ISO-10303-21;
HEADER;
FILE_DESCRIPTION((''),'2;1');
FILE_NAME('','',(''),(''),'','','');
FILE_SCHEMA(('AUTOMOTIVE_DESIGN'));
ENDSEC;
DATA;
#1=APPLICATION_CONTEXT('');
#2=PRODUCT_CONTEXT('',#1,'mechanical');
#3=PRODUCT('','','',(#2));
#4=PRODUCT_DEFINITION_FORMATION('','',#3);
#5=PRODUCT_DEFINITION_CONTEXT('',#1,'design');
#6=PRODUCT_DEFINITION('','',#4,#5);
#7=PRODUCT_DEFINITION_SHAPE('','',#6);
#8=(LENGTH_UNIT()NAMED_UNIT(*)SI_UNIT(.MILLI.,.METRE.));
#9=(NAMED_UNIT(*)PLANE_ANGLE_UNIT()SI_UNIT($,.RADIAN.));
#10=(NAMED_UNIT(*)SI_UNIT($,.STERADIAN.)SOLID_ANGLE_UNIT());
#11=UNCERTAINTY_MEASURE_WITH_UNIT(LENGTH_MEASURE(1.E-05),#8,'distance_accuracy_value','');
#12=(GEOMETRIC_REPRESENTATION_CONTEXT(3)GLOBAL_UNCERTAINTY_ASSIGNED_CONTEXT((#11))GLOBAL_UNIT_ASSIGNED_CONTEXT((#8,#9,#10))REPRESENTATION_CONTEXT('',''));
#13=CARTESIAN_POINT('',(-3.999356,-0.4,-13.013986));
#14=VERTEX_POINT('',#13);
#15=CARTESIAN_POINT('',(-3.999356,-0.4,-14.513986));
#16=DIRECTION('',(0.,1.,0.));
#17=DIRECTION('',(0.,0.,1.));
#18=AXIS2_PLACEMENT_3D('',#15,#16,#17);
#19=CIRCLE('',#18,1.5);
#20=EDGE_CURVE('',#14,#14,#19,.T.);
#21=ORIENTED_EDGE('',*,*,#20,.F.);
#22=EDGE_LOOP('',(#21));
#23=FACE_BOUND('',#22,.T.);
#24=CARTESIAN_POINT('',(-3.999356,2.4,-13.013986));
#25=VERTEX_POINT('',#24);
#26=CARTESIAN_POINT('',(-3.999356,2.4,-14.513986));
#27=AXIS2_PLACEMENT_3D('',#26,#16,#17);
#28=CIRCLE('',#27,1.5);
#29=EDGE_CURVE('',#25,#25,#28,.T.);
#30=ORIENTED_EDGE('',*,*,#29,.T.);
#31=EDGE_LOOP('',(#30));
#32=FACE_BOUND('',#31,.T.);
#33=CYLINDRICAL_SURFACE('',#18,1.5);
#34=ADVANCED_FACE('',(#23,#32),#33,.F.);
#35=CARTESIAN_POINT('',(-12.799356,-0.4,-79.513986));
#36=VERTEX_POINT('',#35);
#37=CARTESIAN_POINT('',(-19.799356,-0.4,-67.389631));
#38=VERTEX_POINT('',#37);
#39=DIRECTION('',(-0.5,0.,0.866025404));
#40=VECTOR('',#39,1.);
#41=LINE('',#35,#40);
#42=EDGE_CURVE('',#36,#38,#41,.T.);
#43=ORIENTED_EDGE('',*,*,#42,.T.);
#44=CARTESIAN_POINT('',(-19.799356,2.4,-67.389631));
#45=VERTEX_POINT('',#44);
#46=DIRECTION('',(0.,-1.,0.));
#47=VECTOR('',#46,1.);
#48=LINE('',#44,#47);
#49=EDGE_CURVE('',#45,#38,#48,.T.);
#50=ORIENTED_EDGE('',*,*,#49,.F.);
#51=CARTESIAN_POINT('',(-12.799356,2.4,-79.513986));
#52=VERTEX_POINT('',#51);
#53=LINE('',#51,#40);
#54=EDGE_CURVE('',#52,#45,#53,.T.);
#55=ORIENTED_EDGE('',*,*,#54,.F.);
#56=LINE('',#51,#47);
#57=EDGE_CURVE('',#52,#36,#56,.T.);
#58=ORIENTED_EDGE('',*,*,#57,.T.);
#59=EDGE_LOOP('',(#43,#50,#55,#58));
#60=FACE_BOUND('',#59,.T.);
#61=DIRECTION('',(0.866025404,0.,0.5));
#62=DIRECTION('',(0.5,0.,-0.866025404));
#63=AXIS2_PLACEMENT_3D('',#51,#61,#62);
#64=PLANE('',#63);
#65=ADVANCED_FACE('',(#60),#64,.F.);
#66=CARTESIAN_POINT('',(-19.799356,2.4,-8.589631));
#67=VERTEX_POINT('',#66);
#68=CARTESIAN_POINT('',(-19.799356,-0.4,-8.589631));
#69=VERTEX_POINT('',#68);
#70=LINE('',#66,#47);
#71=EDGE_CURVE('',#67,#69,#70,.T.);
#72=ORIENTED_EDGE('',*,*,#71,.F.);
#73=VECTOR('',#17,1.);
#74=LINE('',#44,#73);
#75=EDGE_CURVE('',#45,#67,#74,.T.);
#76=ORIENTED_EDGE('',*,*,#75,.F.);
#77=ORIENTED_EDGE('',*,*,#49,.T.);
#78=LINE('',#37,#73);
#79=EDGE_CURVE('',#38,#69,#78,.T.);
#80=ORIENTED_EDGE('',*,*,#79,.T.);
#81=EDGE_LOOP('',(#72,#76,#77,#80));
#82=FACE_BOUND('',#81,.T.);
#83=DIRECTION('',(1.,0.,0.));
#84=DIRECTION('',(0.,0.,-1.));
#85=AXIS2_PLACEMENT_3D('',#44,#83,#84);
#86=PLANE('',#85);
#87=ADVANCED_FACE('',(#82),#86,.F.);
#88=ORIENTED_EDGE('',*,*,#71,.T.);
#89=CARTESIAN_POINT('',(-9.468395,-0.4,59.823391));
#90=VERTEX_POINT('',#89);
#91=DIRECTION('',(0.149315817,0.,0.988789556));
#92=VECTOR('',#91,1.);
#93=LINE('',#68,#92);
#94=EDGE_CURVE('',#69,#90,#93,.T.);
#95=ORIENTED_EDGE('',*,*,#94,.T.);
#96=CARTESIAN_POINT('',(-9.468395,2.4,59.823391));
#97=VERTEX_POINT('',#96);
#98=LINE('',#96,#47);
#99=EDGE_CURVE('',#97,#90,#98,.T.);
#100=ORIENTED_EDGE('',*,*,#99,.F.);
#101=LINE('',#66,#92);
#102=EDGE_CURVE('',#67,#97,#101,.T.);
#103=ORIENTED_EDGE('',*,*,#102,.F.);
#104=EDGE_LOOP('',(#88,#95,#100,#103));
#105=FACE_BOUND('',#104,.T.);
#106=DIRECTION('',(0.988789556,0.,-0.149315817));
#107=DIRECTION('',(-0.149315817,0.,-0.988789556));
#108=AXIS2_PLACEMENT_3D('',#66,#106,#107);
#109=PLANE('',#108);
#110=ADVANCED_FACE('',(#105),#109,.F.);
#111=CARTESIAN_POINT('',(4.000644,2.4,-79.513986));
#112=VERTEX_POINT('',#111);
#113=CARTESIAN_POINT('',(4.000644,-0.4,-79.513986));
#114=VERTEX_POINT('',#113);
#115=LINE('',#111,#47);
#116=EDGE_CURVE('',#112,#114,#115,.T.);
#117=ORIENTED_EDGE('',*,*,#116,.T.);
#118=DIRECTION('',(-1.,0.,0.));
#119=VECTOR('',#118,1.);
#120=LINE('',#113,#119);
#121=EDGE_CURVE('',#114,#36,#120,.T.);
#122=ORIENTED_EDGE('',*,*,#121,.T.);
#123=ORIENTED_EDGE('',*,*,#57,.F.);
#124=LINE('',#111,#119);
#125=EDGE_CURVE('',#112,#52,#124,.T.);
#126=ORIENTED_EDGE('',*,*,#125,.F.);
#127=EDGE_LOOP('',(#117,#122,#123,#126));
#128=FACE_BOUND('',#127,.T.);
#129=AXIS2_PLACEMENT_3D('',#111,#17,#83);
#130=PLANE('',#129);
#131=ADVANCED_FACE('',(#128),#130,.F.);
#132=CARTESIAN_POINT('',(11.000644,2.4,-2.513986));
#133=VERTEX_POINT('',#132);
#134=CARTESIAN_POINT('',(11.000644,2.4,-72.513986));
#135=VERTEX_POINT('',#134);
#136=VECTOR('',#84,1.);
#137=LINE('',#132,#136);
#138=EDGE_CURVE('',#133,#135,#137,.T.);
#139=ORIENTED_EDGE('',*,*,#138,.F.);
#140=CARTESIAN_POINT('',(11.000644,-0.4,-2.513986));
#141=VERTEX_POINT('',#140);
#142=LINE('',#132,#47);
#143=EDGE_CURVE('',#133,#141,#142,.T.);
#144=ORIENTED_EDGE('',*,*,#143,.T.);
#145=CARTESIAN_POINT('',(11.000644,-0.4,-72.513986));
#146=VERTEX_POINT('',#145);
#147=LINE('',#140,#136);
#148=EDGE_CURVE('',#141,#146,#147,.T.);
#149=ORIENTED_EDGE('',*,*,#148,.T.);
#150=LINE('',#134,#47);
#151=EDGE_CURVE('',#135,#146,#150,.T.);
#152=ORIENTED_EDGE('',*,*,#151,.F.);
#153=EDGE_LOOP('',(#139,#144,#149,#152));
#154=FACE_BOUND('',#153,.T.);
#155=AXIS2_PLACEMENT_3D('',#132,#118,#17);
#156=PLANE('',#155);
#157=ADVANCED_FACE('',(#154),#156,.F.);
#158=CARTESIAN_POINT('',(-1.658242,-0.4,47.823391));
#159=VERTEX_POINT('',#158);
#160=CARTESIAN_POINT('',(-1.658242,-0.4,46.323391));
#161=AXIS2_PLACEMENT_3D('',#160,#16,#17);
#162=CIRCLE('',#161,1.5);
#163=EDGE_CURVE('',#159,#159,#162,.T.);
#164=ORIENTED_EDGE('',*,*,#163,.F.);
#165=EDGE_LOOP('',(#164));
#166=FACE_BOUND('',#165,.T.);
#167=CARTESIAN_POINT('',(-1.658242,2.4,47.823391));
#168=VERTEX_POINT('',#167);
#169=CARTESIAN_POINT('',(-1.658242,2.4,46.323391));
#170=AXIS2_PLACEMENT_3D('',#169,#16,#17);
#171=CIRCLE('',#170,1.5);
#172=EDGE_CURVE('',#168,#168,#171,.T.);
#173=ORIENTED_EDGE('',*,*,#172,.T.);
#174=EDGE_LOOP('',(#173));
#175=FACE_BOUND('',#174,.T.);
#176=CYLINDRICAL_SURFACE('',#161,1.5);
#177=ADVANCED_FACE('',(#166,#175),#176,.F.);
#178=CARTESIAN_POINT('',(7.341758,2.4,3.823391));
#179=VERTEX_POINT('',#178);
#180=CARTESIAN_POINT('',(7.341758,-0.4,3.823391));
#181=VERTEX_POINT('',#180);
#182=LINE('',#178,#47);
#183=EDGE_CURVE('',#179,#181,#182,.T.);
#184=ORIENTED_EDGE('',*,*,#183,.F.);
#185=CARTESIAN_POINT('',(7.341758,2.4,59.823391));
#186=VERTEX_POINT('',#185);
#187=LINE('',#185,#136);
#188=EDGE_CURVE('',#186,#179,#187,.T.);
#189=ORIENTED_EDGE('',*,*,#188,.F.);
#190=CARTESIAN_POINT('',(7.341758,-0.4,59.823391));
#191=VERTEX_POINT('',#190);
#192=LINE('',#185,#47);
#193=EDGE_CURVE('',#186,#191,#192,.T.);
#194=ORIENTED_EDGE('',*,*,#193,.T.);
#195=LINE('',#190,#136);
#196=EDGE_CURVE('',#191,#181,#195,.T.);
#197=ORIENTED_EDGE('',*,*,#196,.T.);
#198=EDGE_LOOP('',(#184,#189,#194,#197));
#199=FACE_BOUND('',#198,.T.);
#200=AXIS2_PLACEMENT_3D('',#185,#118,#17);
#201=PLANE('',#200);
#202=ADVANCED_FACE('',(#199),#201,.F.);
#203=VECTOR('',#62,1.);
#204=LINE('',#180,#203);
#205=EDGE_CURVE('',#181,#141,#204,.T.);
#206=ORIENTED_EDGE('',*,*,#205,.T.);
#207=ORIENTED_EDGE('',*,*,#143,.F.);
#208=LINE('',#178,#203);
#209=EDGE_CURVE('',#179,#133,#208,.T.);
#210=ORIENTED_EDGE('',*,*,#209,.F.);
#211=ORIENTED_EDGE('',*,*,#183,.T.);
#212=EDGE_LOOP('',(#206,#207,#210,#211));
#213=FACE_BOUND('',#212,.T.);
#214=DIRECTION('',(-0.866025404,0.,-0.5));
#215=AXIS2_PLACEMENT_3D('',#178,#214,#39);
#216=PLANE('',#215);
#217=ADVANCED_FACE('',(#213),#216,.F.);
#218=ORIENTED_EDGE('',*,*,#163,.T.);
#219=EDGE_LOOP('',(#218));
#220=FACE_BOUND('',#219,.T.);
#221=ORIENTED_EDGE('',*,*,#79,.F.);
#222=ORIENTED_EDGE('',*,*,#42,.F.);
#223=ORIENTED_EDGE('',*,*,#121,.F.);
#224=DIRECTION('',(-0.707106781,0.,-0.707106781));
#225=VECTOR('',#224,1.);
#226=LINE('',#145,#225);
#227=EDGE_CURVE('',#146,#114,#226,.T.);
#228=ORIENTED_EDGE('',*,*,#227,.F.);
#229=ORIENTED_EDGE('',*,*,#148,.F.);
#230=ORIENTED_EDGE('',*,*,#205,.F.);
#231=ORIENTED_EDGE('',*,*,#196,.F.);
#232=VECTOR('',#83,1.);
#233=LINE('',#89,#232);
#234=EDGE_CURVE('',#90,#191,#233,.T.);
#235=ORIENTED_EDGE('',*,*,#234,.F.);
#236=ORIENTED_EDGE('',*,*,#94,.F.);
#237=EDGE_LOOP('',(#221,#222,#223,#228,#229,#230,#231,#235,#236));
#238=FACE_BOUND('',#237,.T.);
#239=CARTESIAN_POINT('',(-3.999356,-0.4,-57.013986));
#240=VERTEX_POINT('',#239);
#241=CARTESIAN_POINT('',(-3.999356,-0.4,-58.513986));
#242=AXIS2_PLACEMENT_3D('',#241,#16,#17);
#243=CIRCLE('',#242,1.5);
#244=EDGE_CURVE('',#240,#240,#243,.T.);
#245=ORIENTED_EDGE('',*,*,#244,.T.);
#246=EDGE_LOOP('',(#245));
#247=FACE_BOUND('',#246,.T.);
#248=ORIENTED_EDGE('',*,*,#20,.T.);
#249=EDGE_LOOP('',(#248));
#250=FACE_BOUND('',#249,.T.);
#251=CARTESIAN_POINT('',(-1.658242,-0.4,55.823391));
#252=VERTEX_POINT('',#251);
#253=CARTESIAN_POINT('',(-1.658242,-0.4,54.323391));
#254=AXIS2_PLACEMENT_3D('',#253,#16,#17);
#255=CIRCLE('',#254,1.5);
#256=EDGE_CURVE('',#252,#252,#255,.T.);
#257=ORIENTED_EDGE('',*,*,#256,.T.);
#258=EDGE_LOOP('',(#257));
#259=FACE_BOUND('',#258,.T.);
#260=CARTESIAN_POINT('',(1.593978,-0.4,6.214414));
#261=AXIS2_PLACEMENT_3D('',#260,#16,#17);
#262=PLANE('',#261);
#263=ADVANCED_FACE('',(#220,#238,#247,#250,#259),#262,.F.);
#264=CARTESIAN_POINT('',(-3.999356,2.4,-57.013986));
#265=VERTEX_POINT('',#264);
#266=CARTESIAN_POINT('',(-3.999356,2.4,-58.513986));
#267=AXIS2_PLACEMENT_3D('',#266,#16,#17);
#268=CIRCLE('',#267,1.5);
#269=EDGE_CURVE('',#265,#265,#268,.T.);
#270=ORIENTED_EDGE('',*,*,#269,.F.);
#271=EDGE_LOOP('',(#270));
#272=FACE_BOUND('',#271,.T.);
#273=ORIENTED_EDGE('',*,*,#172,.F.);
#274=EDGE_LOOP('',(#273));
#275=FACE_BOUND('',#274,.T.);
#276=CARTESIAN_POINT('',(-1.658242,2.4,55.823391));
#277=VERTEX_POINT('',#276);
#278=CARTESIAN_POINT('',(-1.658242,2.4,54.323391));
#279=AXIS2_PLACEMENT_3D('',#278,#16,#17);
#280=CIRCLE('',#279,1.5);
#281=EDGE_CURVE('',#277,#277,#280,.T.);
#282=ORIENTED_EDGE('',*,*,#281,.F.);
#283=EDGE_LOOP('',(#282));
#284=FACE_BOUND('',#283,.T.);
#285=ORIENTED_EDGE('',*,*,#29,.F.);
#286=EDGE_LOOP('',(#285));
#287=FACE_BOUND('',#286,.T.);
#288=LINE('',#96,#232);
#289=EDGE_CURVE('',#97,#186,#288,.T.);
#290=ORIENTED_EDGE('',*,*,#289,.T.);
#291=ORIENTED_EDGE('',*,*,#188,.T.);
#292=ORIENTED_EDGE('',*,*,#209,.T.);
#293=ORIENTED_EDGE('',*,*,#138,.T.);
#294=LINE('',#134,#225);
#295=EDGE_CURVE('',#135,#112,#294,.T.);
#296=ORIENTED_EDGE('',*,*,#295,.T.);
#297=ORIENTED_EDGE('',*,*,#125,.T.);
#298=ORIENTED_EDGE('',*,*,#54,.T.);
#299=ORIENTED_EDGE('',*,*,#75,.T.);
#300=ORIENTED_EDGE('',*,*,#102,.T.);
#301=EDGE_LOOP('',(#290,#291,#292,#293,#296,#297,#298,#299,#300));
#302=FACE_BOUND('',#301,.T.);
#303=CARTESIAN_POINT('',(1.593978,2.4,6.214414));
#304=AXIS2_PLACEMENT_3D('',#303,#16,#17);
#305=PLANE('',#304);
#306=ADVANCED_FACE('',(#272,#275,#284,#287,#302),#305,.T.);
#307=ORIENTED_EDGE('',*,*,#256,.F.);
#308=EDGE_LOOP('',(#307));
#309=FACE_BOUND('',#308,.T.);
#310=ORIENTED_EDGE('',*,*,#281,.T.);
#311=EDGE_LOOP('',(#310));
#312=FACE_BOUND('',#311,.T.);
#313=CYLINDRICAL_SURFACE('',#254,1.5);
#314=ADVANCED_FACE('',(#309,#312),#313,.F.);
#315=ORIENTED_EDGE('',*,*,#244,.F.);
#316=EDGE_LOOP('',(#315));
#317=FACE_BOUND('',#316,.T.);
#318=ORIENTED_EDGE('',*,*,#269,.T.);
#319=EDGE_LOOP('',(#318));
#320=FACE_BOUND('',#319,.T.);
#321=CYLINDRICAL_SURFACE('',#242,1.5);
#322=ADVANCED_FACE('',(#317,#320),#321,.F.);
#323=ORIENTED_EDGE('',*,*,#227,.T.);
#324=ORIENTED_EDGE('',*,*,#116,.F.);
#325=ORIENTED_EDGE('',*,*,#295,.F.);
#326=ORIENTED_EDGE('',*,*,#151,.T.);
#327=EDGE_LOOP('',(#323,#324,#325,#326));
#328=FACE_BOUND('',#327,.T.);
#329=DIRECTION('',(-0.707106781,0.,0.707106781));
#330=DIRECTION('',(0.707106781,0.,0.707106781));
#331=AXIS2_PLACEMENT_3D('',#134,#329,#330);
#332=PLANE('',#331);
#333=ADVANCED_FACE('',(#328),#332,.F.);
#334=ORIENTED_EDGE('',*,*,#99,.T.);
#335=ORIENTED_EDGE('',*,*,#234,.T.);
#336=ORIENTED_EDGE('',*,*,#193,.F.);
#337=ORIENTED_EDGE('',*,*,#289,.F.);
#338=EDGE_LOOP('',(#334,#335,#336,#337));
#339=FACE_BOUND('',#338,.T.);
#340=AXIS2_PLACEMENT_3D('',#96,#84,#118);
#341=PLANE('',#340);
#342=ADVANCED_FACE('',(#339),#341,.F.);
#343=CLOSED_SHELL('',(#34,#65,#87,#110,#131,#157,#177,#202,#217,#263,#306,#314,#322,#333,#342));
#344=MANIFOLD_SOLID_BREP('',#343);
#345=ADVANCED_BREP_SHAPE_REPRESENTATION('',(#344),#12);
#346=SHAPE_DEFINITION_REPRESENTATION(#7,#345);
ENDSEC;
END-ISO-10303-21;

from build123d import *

# Parameters (mm, degrees)
BOSS_EXTRUDE1_DEPTH = 2
SCALE1_SCALE        = 1.4
SKETCH2_R           = 1.5
CUT_EXTRUDE1_DEPTH  = 3.8
SKETCH3_R           = 1.5
CUT_EXTRUDE2_DEPTH  = 3.8


with BuildPart() as part:
    # Sketch1 → Boss-Extrude1 (new body)
    with BuildSketch(Plane(origin=(0, 0, 0), x_dir=(1, 0, 0), z_dir=(0, 1, 0))):
        Polygon((1.719047443, 61.234571581), (-10.280952557, 61.234571581), (-15.280952557, 52.574317544), (-15.280952557, 10.574317544), (-7.901694864, -38.292126086), (4.105557327, -38.292126086), (4.105557327, 1.707873914), (6.719047443, 6.234571581), (6.719047443, 56.234571581), align=None)
    extrude(amount=BOSS_EXTRUDE1_DEPTH)


with BuildPart() as part_1:
    # Scale1: scaled about (-3.98494468, 1, -15.536034959)
    add(part.part.scale(SCALE1_SCALE).moved(Location((1.593977872, -0.4, 6.214413984))))

    # Sketch2 → Cut-Extrude1 (cut, through all)
    with BuildSketch(Plane(origin=(0, 2.4, 0), x_dir=(1, 0, 0), z_dir=(0, 1, 0))):
        with Locations((-3.999355707, 14.51398623)):
            Circle(SKETCH2_R)
        with Locations((-3.999355707, 58.51398623)):
            Circle(SKETCH2_R)
    extrude(amount=-CUT_EXTRUDE1_DEPTH, mode=Mode.SUBTRACT)

    # Sketch3 → Cut-Extrude2 (cut, through all)
    with BuildSketch(Plane(origin=(0, 2.4, 0), x_dir=(1, 0, 0), z_dir=(0, 1, 0))):
        with Locations((-1.658241871, -46.323390503)):
            Circle(SKETCH3_R)
        with Locations((-1.658241871, -54.323390503)):
            Circle(SKETCH3_R)
    extrude(amount=-CUT_EXTRUDE2_DEPTH, mode=Mode.SUBTRACT)


solid = part_1.part
